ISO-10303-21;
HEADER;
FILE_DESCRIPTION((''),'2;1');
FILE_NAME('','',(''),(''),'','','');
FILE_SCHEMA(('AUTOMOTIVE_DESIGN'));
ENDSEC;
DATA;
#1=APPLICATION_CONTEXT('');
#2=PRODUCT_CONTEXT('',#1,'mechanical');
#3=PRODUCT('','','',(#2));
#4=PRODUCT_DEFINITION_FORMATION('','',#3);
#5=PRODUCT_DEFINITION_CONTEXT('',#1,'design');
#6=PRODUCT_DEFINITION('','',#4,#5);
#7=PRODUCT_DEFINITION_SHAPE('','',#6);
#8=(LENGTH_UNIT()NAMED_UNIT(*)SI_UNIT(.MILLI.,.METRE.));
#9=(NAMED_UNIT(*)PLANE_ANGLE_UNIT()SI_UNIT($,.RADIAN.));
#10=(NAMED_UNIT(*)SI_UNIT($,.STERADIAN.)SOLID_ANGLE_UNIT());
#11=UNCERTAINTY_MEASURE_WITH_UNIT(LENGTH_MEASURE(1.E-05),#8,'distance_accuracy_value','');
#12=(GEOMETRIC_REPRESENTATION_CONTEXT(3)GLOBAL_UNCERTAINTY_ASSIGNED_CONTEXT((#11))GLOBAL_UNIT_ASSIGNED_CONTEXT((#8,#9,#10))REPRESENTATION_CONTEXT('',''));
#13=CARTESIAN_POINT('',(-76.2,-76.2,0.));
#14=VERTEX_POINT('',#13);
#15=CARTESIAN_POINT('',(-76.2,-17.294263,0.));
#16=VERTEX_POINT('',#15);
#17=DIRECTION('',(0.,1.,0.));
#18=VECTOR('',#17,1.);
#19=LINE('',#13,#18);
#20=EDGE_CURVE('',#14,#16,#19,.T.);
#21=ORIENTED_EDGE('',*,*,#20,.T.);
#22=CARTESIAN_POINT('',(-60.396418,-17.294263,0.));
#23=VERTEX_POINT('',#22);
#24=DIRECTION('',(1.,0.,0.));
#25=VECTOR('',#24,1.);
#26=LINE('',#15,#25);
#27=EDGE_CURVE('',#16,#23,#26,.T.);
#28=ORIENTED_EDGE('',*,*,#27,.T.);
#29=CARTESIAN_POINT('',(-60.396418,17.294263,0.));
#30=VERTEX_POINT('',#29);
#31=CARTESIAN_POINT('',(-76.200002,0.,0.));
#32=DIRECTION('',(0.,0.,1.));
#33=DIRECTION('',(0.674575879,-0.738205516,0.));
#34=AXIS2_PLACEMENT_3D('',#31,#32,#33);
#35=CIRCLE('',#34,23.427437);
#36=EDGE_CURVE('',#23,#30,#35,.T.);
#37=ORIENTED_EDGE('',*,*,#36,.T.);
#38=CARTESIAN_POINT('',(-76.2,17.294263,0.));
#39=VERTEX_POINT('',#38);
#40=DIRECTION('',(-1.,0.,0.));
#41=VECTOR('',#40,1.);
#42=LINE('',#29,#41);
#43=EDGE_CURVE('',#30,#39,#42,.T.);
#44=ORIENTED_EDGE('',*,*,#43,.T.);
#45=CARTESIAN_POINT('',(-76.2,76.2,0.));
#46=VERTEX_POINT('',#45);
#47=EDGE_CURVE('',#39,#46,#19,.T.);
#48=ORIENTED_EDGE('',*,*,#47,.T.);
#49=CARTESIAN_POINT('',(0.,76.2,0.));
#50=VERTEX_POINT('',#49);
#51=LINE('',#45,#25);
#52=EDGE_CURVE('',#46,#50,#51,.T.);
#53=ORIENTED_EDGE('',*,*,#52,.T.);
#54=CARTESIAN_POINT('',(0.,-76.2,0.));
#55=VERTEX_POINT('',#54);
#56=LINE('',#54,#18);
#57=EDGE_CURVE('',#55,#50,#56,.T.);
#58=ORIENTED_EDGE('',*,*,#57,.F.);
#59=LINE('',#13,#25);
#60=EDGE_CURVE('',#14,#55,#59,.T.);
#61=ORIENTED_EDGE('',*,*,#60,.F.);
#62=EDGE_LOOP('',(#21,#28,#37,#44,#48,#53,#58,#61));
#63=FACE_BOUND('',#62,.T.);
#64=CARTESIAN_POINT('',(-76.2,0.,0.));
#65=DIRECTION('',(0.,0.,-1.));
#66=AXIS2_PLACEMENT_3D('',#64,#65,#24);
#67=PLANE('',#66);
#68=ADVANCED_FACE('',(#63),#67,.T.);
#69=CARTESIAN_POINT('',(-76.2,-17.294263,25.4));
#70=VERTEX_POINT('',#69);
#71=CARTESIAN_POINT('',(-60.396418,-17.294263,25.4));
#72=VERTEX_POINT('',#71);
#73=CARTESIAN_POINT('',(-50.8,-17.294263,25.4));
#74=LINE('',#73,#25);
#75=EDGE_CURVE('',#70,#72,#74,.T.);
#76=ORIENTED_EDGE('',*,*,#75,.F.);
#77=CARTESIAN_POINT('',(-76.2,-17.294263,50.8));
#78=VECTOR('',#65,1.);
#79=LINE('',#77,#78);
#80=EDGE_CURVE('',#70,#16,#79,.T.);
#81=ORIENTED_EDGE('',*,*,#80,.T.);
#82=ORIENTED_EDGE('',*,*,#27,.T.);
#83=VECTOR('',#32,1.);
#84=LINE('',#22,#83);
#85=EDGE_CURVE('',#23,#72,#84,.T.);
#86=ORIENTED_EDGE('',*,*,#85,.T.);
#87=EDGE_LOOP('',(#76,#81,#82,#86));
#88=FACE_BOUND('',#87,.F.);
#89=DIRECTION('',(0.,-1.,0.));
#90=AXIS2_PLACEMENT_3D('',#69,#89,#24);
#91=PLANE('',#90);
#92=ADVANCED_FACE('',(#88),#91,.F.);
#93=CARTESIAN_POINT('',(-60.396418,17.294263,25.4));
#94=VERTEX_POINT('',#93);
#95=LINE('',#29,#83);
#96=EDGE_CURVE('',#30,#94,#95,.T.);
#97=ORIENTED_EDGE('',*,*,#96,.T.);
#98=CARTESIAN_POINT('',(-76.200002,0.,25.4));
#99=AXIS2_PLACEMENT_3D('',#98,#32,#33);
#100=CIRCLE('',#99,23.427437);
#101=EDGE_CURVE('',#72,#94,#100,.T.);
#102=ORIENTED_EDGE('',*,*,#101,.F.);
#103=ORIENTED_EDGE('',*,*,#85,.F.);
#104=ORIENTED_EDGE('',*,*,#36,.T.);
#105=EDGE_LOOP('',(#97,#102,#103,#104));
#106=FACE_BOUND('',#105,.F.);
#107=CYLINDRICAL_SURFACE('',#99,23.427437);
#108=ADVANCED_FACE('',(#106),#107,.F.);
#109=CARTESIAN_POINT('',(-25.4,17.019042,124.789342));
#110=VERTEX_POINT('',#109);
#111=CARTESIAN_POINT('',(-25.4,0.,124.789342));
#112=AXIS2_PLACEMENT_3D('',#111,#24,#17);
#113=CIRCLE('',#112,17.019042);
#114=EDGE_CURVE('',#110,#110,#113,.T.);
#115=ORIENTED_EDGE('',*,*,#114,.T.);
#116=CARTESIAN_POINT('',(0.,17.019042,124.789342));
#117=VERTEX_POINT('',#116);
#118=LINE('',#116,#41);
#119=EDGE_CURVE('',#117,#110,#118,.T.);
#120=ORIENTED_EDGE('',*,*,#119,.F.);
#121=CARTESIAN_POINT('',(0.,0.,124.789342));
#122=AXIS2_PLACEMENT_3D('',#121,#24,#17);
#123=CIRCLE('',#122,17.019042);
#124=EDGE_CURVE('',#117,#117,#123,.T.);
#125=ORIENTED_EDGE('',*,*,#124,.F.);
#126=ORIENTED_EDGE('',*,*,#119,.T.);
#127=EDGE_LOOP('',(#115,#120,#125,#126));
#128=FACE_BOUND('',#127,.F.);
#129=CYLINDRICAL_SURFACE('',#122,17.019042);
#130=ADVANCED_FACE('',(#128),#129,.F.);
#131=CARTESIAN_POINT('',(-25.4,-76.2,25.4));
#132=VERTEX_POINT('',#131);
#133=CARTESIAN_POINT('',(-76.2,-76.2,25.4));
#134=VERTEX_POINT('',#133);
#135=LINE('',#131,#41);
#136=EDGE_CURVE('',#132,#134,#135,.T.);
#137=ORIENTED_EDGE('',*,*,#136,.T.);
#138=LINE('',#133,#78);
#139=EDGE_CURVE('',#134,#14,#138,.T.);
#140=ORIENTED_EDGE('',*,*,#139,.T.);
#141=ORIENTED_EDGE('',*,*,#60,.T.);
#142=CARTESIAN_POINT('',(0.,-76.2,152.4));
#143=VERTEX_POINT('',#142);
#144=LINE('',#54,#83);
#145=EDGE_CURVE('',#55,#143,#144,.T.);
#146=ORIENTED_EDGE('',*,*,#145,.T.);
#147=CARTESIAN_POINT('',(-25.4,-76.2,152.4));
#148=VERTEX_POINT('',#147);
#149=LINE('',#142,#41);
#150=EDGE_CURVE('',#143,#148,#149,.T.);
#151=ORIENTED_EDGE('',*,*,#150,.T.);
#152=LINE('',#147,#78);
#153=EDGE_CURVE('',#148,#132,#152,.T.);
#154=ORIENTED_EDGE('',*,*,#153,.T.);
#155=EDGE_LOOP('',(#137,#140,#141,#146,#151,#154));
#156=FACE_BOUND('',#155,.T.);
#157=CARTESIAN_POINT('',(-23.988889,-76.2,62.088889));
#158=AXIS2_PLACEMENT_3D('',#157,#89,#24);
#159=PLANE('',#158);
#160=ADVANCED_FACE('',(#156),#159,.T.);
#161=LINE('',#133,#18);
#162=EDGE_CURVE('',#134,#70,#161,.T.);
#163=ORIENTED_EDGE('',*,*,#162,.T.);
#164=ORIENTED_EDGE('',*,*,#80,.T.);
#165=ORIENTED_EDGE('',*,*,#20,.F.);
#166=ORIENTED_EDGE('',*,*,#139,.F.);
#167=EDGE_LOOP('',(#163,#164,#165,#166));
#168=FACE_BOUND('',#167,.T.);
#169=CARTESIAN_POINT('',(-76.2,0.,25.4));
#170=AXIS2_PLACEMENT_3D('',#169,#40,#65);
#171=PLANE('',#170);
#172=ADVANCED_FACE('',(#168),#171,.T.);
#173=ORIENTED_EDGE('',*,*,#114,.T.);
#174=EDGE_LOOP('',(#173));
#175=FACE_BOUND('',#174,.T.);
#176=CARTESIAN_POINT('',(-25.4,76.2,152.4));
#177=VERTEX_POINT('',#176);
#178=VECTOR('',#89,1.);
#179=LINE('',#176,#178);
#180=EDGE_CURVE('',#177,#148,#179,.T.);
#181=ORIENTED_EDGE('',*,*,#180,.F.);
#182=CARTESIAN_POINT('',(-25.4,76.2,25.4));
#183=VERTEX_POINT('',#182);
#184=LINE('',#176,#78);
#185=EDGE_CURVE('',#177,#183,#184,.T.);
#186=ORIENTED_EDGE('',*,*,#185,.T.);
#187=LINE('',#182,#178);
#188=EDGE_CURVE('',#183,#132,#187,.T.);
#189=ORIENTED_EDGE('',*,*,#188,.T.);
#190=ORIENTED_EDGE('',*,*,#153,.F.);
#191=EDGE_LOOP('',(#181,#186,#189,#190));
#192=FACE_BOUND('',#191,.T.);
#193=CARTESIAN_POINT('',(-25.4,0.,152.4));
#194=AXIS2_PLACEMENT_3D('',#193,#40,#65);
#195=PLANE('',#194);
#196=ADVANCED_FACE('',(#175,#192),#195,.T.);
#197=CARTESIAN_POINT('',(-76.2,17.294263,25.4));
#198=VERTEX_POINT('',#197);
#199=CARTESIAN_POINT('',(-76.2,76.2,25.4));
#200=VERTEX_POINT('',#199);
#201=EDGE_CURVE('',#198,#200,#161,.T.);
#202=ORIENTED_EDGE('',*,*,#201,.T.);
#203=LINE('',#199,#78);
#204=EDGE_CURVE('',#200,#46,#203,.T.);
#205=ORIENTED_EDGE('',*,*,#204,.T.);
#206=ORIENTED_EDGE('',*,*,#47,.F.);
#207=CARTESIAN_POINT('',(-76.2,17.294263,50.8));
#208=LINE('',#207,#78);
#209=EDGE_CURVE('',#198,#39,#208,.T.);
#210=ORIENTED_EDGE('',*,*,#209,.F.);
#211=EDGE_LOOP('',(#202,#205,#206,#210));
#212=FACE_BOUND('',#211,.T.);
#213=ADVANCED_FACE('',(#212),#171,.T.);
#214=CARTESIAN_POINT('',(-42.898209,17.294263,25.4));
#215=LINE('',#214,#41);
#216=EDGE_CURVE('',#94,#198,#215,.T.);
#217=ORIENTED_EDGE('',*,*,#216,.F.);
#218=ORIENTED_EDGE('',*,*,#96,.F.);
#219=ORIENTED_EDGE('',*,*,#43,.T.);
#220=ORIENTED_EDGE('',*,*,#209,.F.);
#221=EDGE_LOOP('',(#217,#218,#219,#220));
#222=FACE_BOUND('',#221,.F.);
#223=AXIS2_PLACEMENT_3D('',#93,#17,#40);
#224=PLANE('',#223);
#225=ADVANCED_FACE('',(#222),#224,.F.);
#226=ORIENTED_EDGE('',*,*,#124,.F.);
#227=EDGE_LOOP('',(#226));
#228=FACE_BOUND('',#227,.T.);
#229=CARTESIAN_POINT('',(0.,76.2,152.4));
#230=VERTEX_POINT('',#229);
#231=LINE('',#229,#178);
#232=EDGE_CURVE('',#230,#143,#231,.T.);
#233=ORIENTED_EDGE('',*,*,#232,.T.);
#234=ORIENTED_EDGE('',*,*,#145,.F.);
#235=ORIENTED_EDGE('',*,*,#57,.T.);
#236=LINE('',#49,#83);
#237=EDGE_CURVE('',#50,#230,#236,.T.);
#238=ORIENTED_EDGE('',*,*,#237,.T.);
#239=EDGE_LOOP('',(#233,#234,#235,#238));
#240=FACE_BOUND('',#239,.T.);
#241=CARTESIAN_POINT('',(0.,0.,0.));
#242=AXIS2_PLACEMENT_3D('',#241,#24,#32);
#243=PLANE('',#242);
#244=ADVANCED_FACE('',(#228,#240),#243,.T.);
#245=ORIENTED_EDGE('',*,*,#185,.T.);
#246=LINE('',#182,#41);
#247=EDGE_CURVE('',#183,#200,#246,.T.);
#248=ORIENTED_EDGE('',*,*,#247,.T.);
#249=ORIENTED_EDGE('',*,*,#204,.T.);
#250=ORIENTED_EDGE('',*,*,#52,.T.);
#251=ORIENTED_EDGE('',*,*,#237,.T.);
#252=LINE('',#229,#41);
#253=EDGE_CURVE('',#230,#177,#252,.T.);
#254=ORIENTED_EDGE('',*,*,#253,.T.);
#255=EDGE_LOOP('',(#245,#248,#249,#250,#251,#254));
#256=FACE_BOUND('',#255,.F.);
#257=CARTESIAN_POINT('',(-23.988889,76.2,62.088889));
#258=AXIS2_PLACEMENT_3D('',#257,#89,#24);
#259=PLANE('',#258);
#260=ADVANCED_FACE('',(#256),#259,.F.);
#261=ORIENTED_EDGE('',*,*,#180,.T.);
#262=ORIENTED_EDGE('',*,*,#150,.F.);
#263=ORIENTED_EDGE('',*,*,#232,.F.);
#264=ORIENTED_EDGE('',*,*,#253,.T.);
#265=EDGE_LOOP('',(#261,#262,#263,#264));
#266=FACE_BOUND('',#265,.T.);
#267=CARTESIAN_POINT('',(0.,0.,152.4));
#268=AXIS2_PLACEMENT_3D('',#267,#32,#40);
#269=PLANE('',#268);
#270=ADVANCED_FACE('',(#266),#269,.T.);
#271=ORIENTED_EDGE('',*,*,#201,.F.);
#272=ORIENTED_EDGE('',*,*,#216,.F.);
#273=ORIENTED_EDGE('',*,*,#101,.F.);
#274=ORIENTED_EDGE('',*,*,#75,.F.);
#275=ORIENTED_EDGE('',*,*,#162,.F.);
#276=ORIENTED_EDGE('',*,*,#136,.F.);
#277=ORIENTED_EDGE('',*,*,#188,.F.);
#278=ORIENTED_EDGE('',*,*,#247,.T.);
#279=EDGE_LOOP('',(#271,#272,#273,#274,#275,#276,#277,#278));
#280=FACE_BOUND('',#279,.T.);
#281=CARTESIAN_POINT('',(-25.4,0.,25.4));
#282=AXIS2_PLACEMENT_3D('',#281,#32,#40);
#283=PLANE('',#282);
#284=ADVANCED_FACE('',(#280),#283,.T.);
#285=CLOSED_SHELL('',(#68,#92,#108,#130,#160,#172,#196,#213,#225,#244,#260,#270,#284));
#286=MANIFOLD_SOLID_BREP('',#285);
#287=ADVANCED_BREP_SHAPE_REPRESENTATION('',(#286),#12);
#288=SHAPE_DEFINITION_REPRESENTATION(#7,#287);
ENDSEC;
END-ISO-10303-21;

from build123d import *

# Parameters (mm, degrees)
F1_DEPTH = 76.2
F2_R     = 17.019042
F3_DEPTH = 38.1
F5_DEPTH = 25.4


with BuildPart() as f1:
    # F0 (on Front) → F1 (new body, symmetric)
    with BuildSketch(Plane.XZ):
        Polygon((0, 0), (0, 152.4), (-25.4, 152.4), (-25.4, 25.4), (-76.2, 25.4), (-76.2, 0), align=None)
    extrude(amount=F1_DEPTH, both=True)

    # F2 (on face) → F3 (cut)
    with BuildSketch(Plane.YZ):
        with Locations((0, 124.789342)):
            Circle(F2_R)
    extrude(amount=-F3_DEPTH, mode=Mode.SUBTRACT)

    # F4 (on face) → F5 (cut, symmetric)
    with BuildSketch(Plane.XY.offset(25.4)):
        with BuildLine():
            Line((-76.2, -17.294263), (-60.396418, -17.294263))
            ThreePointArc((-60.396418, -17.294263), (-52.772565, 0), (-60.396418, 17.294263))
            Line((-60.396418, 17.294263), (-76.2, 17.294263))
            Line((-76.2, 17.294263), (-76.2, -17.294263))
        make_face()
    extrude(amount=F5_DEPTH, both=True, mode=Mode.SUBTRACT)


solid = f1.part
